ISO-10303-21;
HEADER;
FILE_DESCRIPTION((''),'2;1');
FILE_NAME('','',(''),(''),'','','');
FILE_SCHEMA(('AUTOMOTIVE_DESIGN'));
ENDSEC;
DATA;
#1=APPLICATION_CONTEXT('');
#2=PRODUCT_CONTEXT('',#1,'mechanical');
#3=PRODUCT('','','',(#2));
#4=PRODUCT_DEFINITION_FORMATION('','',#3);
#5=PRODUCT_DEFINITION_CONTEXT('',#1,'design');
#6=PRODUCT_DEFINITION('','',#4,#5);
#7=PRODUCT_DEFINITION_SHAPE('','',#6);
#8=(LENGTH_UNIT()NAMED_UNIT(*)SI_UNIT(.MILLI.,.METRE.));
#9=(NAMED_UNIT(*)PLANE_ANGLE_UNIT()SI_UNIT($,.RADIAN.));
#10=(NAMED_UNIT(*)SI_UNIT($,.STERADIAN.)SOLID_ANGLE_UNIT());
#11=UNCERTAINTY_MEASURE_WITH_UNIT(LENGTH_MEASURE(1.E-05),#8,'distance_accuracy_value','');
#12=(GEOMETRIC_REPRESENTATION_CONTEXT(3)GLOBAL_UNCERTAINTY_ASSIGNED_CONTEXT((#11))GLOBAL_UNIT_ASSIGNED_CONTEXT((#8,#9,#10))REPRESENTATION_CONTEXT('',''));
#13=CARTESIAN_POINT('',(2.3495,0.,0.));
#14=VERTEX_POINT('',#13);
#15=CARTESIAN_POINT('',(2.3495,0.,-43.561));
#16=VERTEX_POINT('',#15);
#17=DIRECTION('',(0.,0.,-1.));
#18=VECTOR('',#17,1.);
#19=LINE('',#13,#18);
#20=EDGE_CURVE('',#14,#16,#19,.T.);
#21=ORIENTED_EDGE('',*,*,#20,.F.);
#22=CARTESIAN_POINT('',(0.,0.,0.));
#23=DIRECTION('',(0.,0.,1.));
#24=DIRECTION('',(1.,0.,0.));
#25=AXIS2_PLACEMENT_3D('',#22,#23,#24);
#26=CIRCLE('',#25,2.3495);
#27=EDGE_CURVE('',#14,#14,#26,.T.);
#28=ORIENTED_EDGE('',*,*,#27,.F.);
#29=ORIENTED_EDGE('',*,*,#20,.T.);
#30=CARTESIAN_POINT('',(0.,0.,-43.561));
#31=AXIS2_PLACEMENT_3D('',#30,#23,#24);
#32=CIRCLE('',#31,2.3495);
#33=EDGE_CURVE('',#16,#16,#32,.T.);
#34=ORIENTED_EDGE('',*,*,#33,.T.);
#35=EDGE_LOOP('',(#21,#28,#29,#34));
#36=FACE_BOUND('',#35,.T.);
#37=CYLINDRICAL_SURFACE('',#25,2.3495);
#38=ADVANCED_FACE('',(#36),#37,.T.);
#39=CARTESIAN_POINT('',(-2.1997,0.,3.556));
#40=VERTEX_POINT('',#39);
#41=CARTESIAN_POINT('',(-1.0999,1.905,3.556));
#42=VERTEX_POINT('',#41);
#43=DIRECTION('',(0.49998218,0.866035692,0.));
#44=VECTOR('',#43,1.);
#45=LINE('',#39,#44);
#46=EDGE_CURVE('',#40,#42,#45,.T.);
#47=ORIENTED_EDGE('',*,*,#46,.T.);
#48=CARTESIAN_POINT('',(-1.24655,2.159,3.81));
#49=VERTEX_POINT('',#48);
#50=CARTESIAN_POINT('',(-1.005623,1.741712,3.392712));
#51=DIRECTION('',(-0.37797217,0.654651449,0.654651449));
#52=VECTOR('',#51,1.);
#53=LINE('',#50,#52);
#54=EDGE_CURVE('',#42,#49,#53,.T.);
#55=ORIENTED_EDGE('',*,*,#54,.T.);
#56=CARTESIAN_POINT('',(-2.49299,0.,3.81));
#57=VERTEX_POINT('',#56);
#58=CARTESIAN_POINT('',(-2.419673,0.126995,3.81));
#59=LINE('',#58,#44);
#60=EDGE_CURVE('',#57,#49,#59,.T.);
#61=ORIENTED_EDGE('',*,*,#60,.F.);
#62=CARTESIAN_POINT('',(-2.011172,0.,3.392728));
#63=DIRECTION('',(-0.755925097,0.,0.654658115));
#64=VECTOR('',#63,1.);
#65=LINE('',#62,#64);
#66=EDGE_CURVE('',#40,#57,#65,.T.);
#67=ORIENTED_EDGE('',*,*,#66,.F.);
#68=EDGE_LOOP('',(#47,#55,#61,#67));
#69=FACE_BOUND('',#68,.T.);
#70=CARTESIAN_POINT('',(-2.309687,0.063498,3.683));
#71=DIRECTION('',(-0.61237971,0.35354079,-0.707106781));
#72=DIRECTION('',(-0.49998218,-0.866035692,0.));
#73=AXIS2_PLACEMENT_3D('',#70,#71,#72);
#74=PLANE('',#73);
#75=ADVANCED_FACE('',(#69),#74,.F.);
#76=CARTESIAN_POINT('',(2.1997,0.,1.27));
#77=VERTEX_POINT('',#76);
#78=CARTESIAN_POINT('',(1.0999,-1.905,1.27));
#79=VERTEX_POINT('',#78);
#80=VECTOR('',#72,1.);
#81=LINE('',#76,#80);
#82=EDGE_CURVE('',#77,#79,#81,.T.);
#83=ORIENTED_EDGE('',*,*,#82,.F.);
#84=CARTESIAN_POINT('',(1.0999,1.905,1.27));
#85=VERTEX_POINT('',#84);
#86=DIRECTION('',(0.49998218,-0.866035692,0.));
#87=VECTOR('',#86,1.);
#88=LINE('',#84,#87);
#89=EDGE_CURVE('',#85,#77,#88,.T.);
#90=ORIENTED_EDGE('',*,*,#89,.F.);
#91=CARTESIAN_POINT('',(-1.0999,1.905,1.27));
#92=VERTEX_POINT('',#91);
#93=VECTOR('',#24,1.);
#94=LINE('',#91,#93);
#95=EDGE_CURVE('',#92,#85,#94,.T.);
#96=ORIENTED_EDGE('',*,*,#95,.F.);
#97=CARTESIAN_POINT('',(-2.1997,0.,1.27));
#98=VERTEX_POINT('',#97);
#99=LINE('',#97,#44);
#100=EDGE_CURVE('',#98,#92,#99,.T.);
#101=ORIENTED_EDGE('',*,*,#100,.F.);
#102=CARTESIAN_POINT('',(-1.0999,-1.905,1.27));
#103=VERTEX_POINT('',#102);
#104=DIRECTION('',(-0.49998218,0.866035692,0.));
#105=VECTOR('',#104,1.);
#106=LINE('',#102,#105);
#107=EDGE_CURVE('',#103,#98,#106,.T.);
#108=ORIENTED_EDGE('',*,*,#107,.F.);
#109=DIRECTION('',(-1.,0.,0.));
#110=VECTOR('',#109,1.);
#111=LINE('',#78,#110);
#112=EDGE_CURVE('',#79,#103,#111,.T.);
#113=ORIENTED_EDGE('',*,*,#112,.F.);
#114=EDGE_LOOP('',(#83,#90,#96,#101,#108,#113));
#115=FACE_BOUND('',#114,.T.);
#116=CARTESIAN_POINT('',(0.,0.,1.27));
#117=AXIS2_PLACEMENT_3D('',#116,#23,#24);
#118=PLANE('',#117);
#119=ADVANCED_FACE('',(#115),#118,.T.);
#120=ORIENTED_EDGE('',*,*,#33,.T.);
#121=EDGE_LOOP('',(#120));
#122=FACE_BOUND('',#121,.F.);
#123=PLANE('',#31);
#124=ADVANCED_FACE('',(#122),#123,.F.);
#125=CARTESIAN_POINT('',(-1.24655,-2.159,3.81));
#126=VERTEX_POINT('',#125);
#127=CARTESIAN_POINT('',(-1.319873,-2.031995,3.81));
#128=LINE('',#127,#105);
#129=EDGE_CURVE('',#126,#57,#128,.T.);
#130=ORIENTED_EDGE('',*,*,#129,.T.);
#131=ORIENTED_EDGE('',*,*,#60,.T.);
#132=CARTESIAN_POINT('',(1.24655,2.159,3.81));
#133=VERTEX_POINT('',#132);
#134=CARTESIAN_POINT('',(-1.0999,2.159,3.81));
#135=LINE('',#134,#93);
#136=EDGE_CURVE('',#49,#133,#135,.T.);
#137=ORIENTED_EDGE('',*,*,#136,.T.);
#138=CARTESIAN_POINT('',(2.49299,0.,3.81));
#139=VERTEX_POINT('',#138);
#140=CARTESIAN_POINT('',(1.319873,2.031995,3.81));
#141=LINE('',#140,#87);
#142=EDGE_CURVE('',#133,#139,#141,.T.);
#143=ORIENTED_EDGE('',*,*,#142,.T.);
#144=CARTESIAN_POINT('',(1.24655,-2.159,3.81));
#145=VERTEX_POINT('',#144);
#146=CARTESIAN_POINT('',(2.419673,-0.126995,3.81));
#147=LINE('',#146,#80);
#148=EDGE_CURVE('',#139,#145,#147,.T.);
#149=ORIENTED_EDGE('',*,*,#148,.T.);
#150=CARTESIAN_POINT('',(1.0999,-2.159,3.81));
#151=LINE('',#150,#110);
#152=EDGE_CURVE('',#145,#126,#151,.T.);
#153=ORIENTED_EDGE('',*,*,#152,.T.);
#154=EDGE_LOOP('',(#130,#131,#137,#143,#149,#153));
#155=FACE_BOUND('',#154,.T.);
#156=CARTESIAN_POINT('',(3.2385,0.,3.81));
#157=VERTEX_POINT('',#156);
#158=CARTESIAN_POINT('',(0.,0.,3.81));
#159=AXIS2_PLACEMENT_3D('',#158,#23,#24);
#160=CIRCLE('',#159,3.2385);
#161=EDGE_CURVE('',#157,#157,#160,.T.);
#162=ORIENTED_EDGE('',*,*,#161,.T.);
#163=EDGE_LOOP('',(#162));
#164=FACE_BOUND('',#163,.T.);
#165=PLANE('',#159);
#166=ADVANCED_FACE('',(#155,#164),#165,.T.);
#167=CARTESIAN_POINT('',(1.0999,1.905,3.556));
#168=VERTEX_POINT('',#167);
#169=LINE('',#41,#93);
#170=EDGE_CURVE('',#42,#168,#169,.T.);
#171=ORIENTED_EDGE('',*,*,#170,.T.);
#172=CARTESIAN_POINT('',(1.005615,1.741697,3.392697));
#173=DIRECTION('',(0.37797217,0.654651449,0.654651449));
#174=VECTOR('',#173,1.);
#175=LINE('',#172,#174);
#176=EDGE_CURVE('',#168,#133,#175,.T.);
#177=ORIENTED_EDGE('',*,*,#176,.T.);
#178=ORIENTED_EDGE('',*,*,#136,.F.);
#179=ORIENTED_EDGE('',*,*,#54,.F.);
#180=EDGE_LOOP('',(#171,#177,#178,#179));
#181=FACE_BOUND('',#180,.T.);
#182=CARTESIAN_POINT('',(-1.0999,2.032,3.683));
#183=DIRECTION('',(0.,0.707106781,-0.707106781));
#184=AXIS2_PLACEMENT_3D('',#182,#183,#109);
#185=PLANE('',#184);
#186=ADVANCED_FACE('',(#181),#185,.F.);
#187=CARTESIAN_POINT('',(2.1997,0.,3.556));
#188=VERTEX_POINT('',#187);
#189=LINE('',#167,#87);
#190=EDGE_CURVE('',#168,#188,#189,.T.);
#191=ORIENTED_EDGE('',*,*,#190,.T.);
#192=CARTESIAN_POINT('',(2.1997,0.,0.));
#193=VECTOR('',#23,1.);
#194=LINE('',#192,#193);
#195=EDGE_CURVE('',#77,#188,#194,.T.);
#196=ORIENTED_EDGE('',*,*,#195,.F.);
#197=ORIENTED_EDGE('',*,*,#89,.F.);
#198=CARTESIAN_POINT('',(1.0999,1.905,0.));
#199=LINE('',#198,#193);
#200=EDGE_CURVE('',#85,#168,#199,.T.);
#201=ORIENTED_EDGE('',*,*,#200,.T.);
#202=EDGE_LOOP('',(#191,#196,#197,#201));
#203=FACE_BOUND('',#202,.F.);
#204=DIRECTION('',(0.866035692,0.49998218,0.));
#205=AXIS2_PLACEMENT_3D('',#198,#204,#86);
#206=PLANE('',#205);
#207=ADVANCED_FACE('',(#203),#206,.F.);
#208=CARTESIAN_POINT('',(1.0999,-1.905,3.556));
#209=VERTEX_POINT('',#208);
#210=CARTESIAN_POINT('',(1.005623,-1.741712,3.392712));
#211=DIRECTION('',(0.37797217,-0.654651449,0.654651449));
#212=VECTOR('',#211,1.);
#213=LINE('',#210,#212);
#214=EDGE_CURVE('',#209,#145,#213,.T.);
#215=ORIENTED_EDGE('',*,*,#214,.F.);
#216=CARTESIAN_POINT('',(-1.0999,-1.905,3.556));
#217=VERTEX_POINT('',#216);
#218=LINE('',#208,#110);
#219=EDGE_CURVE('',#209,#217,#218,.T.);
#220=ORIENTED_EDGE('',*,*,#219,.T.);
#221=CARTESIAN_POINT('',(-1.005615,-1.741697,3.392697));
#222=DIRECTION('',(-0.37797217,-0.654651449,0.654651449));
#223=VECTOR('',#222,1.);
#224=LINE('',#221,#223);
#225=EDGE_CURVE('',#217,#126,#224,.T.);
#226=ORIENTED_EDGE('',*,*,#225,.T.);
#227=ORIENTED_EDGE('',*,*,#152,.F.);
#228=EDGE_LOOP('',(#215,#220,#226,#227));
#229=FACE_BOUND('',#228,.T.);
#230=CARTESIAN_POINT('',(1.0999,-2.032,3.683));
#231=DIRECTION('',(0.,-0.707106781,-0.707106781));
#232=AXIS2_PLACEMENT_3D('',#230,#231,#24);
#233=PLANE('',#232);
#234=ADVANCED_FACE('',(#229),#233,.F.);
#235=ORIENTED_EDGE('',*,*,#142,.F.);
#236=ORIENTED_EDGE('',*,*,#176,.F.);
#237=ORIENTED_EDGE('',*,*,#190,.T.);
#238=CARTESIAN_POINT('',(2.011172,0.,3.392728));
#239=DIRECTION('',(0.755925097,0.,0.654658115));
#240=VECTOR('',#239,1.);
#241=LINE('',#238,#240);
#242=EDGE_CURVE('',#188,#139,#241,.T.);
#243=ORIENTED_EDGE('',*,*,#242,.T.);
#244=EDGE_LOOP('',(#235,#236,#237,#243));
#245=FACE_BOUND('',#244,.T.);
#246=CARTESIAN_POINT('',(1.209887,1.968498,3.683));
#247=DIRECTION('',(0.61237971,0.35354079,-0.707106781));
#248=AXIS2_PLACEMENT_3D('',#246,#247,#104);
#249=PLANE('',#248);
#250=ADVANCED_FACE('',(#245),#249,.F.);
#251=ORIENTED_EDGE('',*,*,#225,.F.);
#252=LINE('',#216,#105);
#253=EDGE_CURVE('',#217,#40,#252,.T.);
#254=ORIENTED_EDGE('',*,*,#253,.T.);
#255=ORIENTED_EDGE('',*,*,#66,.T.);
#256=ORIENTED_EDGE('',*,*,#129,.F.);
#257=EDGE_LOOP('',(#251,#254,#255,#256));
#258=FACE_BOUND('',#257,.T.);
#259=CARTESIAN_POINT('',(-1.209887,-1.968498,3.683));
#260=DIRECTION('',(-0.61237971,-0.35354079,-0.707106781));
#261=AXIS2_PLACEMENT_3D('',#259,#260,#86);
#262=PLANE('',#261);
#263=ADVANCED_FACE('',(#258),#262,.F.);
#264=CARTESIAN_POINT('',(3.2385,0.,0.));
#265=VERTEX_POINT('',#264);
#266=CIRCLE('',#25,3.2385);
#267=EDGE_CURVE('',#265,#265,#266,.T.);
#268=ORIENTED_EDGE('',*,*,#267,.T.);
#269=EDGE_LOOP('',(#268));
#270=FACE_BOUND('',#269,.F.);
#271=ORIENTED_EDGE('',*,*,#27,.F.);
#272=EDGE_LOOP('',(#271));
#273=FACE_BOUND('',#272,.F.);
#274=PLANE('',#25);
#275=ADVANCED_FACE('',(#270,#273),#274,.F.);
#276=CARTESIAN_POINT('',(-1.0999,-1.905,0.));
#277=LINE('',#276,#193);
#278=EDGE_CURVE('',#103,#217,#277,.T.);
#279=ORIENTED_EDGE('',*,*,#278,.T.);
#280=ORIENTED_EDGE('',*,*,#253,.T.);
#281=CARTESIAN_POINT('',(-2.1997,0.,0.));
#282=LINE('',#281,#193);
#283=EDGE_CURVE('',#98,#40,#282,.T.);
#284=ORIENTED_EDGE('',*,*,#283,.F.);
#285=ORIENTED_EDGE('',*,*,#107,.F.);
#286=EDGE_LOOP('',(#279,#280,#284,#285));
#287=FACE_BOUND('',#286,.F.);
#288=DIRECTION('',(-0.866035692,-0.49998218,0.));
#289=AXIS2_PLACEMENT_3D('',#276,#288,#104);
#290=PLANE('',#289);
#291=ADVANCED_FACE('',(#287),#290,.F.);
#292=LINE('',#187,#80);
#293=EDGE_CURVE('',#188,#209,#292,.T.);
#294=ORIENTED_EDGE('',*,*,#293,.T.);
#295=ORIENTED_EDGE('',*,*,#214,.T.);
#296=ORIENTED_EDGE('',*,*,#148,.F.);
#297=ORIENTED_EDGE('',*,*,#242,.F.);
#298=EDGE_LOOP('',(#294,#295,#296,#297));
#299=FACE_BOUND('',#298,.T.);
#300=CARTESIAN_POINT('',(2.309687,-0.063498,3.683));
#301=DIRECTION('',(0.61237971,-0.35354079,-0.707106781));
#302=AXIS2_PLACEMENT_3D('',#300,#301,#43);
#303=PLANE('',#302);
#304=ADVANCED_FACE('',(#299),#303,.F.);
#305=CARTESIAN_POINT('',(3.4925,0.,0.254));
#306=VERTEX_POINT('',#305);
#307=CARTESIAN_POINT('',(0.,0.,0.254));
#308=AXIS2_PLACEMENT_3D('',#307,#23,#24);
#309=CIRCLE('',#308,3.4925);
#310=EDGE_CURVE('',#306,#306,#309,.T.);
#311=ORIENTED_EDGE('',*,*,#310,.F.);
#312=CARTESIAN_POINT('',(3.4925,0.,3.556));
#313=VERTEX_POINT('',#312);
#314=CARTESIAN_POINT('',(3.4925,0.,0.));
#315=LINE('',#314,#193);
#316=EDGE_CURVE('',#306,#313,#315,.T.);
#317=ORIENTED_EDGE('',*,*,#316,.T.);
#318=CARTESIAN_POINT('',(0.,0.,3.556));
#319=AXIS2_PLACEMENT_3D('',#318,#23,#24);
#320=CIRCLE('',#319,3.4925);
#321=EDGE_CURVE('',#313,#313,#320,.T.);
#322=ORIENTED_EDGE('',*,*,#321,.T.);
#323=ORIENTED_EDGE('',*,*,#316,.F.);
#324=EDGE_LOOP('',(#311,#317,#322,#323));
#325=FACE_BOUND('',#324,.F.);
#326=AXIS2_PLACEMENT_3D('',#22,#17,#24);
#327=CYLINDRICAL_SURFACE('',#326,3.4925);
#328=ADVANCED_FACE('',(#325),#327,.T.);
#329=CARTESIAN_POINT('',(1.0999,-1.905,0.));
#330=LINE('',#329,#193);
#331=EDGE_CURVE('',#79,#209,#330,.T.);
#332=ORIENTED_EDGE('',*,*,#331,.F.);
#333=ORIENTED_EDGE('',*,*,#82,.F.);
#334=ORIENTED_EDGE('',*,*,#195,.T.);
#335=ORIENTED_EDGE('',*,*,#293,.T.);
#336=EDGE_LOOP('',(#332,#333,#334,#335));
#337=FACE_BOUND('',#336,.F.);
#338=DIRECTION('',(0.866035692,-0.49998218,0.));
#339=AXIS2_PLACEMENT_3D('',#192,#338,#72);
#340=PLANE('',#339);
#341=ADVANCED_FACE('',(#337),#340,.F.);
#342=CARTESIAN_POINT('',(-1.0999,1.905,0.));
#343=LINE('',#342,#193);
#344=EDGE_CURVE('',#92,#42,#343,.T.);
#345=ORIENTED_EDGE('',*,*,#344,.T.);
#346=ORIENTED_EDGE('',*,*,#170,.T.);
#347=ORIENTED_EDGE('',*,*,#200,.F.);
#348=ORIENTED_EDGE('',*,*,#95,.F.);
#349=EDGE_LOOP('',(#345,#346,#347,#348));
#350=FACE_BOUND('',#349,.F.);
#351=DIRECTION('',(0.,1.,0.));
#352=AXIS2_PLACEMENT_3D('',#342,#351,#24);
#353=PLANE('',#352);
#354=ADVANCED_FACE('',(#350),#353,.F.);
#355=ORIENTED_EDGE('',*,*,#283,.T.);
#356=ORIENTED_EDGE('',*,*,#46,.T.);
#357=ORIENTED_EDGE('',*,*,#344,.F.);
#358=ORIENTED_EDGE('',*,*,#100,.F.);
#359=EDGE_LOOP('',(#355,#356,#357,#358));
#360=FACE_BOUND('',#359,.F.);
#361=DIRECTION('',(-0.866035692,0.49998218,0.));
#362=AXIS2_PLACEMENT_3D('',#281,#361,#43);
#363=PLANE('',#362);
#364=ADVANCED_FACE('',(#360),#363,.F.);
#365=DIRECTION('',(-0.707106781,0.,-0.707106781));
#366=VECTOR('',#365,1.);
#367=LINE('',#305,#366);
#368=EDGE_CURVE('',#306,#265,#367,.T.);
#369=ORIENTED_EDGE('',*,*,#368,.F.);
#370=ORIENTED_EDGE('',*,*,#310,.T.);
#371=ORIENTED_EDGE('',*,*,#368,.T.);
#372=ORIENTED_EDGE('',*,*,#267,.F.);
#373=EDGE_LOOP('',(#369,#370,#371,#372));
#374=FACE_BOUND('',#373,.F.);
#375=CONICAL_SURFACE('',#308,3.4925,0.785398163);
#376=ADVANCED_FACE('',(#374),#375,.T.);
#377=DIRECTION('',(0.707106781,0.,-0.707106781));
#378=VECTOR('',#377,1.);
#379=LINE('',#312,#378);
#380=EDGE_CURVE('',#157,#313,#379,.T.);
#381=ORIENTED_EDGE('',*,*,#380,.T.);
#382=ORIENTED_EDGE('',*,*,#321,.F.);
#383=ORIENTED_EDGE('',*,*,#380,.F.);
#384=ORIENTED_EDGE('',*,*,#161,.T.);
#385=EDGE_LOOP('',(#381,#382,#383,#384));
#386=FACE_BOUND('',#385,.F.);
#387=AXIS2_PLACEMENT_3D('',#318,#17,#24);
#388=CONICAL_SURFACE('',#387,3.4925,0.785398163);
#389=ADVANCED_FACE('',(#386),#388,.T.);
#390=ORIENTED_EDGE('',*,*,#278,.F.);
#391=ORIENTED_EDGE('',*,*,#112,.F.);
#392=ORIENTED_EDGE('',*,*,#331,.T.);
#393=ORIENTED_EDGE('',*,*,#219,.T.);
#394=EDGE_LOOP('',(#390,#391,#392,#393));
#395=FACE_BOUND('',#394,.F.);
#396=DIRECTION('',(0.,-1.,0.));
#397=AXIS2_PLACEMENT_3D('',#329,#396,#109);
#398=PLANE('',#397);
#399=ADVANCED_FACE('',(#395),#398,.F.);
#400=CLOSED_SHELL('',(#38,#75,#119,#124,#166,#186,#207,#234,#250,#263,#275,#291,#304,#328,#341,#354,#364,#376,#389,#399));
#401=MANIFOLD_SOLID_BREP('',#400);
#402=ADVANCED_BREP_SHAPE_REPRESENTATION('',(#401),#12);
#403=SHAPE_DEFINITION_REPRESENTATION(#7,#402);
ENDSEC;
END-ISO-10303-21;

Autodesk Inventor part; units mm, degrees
ref_plane "YZ Plane" through (0, 0, 0) normal (1, 0, 0) x (0, 1, 0)
ref_plane "XZ Plane" through (0, 0, 0) normal (0, 1, 0) x (-1, 0, 0)
ref_plane "XY Plane" through (0, 0, 0) normal (0, 0, 1) x (1, 0, 0)
sketch "Sketch1" plane through (0, 0, 0) normal (0, 0, 1) x (1, 0, 0)
  circle A0 centre (0, 0) radius 3.4925
  circle A1 centre (0, 0) radius 2.3495
  line L0 (2.1997, 0) -> (1.0999, -1.905)
  line L1 (1.0999, -1.905) -> (-1.0999, -1.905)
  line L2 (-1.0999, -1.905) -> (-2.1997, 0)
  line L3 (-2.1997, 0) -> (-1.0999, 1.905)
  line L4 (-1.0999, 1.905) -> (1.0999, 1.905)
  line L5 (1.0999, 1.905) -> (2.1997, 0)
  dimension "d0" = 6.985
  dimension "d1" = 4.699
  dimension "d2" = 3.81
extrude "Extrusion1" add sketch "Sketch1" along normal blind 3.81 contours A0 | A1
extrude "Extrusion2" add sketch "Sketch1" against normal blind 43.561 contours A1 | L0 L1 L2 L3 L4 L5
extrude "Extrusion3" add sketch "Sketch1" along normal blind 1.27 contours L0 L1 L2 L3 L4 L5
thread "Thread1" size "10-32 UNF" class "2A" standard "ANSI Unified Screw Threads" full length
chamfer "Chamfer1" distance 0.254 angle 45 8 edges at (-3.4925, 0, 3.81) (-3.4925, 0, 0) (-1.6498, 0.9525, 3.81) (-1.6498, -0.9525, 3.81) (0, -1.905, 3.81) (1.6498, -0.9525, 3.81) (1.6498, 0.9525, 3.81) (0, 1.905, 3.81)
properties part number "Gearbox Hex Machine Screw" material "Steel"
